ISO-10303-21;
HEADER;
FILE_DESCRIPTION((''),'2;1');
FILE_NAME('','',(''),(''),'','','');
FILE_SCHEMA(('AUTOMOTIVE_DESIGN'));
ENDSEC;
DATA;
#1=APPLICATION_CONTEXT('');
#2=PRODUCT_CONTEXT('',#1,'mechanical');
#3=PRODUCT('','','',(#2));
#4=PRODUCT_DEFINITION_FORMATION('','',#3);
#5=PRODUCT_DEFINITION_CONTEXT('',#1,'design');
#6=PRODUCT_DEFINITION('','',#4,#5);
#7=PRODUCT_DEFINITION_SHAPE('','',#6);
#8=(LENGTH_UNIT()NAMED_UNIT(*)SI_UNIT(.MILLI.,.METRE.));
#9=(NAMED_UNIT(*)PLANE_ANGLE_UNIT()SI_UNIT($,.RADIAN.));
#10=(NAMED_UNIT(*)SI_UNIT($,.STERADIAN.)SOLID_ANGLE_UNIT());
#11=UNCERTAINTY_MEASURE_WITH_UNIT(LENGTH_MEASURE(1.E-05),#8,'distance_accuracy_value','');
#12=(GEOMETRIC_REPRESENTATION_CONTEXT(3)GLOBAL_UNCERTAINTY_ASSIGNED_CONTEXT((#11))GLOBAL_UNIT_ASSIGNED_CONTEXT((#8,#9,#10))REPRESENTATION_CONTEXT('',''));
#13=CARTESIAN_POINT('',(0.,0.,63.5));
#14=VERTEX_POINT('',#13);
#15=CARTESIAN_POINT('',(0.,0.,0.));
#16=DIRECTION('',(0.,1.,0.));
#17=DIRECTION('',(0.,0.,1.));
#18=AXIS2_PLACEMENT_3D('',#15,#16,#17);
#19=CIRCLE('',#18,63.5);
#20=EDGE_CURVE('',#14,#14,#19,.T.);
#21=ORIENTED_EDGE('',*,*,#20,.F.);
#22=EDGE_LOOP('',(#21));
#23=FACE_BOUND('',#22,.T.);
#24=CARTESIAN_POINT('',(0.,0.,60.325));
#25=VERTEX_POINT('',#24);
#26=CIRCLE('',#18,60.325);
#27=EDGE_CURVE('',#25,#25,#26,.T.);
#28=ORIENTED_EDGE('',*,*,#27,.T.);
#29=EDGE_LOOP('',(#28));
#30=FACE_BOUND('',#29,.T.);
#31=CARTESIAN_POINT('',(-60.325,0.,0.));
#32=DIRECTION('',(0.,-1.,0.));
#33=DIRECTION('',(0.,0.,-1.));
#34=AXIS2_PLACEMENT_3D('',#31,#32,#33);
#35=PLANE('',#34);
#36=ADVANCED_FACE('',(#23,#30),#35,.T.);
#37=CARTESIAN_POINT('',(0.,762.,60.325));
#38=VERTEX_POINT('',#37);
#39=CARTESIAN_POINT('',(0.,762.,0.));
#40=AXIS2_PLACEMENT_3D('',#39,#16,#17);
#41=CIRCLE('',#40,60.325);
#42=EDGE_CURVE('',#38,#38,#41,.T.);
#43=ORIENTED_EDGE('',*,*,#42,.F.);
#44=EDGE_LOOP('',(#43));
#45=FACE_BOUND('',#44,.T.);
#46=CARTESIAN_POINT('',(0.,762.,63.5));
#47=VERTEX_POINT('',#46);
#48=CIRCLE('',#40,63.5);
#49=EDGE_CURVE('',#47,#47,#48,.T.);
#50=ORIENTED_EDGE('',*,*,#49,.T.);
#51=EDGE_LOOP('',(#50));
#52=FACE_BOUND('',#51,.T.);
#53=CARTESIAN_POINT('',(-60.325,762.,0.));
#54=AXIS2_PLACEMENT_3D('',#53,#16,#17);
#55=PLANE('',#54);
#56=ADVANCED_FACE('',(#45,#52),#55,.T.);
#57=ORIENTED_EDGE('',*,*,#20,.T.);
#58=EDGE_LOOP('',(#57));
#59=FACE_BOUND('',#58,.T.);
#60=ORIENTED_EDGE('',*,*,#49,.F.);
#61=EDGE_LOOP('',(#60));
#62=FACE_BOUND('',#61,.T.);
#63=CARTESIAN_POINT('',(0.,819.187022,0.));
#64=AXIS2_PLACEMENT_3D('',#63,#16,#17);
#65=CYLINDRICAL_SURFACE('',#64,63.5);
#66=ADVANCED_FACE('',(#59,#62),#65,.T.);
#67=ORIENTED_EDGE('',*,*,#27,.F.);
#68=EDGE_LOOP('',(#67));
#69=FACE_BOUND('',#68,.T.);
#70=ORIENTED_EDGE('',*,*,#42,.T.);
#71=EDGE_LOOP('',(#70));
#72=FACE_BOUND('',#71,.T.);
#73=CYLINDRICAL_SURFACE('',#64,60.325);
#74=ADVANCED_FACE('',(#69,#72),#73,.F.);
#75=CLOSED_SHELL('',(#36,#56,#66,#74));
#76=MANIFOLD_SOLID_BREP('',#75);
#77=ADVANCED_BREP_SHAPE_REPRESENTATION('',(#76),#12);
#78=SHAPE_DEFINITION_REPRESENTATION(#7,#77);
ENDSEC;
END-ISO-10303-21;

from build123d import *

# Parameters (mm, degrees)
SKETCH2_W = 3.175
SKETCH2_H = 762


with BuildPart() as part:
    # Sketch2 → Revolve1 (revolve)
    with BuildSketch(Plane.XY):
        with Locations((-61.9125, 381)):
            Rectangle(SKETCH2_W, SKETCH2_H)
    revolve(axis=Axis((0, 819.187021794, 0), (0, -1, 0)))


solid = part.part
